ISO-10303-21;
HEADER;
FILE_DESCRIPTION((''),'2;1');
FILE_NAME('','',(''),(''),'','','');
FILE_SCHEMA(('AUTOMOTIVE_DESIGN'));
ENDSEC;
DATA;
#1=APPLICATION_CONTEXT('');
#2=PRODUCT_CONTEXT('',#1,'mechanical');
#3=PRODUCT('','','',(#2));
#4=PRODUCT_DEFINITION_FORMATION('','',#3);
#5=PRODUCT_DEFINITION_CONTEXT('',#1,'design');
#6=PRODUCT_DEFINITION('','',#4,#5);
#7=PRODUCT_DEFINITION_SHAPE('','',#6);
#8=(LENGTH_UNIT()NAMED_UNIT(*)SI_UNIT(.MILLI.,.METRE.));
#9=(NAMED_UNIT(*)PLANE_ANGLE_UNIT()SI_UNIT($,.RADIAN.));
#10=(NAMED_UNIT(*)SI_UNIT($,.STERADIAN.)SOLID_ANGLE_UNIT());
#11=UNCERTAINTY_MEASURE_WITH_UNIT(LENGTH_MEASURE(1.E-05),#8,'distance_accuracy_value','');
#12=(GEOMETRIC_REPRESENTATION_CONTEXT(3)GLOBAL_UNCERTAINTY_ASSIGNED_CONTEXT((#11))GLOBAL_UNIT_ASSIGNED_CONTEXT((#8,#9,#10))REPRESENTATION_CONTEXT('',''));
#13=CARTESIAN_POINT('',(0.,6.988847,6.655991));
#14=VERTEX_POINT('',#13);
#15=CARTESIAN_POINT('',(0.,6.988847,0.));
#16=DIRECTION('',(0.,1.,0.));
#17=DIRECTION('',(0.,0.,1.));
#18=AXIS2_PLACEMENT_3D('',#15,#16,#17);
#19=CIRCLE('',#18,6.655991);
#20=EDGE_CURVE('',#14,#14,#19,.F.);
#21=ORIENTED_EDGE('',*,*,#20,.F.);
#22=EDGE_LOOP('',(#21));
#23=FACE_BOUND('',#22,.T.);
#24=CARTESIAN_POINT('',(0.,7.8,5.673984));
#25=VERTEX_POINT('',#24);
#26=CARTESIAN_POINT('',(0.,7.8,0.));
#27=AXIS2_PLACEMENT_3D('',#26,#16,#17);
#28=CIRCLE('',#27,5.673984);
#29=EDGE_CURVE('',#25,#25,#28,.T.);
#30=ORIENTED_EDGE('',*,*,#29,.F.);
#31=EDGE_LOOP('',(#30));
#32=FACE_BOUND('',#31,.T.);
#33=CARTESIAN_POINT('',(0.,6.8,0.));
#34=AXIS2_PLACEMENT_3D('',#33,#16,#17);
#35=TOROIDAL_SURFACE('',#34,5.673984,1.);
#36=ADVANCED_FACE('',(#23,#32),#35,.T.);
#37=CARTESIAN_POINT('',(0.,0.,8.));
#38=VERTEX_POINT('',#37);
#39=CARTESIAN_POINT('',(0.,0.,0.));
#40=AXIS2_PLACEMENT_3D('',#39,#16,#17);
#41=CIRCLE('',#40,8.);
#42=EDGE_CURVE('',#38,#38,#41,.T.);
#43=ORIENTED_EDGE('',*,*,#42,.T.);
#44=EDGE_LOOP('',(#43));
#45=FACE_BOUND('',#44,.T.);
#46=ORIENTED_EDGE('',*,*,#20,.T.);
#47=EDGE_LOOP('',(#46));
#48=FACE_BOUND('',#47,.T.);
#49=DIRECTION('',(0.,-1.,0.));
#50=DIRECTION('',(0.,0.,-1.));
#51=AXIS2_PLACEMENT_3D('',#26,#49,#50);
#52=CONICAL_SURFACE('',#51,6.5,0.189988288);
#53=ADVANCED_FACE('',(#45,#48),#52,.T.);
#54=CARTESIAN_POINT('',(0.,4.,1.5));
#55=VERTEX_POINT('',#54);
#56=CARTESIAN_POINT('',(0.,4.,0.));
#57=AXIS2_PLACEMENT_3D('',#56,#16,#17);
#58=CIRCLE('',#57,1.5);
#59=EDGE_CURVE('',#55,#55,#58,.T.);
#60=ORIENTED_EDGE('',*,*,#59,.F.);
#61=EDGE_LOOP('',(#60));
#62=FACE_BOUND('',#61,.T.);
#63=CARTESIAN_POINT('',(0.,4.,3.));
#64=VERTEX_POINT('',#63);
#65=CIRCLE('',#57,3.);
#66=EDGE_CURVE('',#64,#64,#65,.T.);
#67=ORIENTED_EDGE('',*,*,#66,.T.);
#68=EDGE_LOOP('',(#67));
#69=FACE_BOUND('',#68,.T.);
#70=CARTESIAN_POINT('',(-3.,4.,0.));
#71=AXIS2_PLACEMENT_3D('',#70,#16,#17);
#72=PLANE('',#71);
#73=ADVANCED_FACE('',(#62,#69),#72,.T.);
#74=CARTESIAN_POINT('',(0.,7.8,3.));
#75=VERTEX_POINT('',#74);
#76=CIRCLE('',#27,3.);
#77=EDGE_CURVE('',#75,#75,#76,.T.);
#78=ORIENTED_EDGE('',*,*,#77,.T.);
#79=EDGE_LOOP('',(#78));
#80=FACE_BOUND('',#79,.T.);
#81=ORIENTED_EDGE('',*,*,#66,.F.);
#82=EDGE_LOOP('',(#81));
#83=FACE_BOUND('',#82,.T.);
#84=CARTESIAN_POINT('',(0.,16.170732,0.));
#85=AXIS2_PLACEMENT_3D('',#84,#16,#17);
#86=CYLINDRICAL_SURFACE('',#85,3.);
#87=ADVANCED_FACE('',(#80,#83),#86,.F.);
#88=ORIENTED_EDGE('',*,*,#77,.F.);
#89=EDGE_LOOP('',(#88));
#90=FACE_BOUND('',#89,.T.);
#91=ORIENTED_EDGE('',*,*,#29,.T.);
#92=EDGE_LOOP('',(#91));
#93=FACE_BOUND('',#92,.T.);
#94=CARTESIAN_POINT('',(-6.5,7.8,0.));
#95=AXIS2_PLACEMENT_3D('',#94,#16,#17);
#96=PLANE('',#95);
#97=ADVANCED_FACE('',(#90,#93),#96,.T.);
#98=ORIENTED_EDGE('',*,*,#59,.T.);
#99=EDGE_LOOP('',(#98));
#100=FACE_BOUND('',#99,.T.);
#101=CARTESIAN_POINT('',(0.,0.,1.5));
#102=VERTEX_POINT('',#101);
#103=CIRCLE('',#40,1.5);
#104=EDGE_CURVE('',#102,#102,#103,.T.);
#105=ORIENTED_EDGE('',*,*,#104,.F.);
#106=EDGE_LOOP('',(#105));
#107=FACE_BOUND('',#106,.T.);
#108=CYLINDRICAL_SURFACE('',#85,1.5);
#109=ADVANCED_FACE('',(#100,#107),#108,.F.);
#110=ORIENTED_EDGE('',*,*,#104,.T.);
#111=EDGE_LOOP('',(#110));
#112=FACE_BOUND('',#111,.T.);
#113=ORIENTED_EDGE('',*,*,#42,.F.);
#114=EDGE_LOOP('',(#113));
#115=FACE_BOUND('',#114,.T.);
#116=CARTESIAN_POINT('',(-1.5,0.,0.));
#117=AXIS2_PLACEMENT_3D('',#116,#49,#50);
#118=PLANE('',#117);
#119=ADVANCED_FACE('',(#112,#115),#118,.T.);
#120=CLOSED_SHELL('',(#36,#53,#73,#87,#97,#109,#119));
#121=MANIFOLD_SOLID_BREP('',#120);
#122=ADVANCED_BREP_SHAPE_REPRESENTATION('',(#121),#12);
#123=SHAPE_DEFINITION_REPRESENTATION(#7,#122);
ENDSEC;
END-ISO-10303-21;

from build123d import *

# Parameters (mm, degrees)
ZAOBLIT1_R = 1


with BuildPart() as part:
    # Skica1 → Rotovat1 (revolve)
    with BuildSketch(Plane.XY, mode=Mode.PRIVATE) as rotovat1_sk:
        Polygon((-1.5, 0), (-8, 0), (-6.5, 7.8), (-3, 7.8), (-3, 4), (-1.5, 4), align=None)
    revolve(rotovat1_sk.sketch.rotate(Axis((0, 16.170731707, 0), (0, -1, 0)), 270), axis=Axis((0, 16.170731707, 0), (0, -1, 0)))

    # Zaoblit1
    zaoblit1_edges = [part.edges().sort_by_distance(p)[0] for p in [
        (0, 7.8, -6.5),
    ]]
    fillet(zaoblit1_edges, radius=ZAOBLIT1_R)


solid = part.part
